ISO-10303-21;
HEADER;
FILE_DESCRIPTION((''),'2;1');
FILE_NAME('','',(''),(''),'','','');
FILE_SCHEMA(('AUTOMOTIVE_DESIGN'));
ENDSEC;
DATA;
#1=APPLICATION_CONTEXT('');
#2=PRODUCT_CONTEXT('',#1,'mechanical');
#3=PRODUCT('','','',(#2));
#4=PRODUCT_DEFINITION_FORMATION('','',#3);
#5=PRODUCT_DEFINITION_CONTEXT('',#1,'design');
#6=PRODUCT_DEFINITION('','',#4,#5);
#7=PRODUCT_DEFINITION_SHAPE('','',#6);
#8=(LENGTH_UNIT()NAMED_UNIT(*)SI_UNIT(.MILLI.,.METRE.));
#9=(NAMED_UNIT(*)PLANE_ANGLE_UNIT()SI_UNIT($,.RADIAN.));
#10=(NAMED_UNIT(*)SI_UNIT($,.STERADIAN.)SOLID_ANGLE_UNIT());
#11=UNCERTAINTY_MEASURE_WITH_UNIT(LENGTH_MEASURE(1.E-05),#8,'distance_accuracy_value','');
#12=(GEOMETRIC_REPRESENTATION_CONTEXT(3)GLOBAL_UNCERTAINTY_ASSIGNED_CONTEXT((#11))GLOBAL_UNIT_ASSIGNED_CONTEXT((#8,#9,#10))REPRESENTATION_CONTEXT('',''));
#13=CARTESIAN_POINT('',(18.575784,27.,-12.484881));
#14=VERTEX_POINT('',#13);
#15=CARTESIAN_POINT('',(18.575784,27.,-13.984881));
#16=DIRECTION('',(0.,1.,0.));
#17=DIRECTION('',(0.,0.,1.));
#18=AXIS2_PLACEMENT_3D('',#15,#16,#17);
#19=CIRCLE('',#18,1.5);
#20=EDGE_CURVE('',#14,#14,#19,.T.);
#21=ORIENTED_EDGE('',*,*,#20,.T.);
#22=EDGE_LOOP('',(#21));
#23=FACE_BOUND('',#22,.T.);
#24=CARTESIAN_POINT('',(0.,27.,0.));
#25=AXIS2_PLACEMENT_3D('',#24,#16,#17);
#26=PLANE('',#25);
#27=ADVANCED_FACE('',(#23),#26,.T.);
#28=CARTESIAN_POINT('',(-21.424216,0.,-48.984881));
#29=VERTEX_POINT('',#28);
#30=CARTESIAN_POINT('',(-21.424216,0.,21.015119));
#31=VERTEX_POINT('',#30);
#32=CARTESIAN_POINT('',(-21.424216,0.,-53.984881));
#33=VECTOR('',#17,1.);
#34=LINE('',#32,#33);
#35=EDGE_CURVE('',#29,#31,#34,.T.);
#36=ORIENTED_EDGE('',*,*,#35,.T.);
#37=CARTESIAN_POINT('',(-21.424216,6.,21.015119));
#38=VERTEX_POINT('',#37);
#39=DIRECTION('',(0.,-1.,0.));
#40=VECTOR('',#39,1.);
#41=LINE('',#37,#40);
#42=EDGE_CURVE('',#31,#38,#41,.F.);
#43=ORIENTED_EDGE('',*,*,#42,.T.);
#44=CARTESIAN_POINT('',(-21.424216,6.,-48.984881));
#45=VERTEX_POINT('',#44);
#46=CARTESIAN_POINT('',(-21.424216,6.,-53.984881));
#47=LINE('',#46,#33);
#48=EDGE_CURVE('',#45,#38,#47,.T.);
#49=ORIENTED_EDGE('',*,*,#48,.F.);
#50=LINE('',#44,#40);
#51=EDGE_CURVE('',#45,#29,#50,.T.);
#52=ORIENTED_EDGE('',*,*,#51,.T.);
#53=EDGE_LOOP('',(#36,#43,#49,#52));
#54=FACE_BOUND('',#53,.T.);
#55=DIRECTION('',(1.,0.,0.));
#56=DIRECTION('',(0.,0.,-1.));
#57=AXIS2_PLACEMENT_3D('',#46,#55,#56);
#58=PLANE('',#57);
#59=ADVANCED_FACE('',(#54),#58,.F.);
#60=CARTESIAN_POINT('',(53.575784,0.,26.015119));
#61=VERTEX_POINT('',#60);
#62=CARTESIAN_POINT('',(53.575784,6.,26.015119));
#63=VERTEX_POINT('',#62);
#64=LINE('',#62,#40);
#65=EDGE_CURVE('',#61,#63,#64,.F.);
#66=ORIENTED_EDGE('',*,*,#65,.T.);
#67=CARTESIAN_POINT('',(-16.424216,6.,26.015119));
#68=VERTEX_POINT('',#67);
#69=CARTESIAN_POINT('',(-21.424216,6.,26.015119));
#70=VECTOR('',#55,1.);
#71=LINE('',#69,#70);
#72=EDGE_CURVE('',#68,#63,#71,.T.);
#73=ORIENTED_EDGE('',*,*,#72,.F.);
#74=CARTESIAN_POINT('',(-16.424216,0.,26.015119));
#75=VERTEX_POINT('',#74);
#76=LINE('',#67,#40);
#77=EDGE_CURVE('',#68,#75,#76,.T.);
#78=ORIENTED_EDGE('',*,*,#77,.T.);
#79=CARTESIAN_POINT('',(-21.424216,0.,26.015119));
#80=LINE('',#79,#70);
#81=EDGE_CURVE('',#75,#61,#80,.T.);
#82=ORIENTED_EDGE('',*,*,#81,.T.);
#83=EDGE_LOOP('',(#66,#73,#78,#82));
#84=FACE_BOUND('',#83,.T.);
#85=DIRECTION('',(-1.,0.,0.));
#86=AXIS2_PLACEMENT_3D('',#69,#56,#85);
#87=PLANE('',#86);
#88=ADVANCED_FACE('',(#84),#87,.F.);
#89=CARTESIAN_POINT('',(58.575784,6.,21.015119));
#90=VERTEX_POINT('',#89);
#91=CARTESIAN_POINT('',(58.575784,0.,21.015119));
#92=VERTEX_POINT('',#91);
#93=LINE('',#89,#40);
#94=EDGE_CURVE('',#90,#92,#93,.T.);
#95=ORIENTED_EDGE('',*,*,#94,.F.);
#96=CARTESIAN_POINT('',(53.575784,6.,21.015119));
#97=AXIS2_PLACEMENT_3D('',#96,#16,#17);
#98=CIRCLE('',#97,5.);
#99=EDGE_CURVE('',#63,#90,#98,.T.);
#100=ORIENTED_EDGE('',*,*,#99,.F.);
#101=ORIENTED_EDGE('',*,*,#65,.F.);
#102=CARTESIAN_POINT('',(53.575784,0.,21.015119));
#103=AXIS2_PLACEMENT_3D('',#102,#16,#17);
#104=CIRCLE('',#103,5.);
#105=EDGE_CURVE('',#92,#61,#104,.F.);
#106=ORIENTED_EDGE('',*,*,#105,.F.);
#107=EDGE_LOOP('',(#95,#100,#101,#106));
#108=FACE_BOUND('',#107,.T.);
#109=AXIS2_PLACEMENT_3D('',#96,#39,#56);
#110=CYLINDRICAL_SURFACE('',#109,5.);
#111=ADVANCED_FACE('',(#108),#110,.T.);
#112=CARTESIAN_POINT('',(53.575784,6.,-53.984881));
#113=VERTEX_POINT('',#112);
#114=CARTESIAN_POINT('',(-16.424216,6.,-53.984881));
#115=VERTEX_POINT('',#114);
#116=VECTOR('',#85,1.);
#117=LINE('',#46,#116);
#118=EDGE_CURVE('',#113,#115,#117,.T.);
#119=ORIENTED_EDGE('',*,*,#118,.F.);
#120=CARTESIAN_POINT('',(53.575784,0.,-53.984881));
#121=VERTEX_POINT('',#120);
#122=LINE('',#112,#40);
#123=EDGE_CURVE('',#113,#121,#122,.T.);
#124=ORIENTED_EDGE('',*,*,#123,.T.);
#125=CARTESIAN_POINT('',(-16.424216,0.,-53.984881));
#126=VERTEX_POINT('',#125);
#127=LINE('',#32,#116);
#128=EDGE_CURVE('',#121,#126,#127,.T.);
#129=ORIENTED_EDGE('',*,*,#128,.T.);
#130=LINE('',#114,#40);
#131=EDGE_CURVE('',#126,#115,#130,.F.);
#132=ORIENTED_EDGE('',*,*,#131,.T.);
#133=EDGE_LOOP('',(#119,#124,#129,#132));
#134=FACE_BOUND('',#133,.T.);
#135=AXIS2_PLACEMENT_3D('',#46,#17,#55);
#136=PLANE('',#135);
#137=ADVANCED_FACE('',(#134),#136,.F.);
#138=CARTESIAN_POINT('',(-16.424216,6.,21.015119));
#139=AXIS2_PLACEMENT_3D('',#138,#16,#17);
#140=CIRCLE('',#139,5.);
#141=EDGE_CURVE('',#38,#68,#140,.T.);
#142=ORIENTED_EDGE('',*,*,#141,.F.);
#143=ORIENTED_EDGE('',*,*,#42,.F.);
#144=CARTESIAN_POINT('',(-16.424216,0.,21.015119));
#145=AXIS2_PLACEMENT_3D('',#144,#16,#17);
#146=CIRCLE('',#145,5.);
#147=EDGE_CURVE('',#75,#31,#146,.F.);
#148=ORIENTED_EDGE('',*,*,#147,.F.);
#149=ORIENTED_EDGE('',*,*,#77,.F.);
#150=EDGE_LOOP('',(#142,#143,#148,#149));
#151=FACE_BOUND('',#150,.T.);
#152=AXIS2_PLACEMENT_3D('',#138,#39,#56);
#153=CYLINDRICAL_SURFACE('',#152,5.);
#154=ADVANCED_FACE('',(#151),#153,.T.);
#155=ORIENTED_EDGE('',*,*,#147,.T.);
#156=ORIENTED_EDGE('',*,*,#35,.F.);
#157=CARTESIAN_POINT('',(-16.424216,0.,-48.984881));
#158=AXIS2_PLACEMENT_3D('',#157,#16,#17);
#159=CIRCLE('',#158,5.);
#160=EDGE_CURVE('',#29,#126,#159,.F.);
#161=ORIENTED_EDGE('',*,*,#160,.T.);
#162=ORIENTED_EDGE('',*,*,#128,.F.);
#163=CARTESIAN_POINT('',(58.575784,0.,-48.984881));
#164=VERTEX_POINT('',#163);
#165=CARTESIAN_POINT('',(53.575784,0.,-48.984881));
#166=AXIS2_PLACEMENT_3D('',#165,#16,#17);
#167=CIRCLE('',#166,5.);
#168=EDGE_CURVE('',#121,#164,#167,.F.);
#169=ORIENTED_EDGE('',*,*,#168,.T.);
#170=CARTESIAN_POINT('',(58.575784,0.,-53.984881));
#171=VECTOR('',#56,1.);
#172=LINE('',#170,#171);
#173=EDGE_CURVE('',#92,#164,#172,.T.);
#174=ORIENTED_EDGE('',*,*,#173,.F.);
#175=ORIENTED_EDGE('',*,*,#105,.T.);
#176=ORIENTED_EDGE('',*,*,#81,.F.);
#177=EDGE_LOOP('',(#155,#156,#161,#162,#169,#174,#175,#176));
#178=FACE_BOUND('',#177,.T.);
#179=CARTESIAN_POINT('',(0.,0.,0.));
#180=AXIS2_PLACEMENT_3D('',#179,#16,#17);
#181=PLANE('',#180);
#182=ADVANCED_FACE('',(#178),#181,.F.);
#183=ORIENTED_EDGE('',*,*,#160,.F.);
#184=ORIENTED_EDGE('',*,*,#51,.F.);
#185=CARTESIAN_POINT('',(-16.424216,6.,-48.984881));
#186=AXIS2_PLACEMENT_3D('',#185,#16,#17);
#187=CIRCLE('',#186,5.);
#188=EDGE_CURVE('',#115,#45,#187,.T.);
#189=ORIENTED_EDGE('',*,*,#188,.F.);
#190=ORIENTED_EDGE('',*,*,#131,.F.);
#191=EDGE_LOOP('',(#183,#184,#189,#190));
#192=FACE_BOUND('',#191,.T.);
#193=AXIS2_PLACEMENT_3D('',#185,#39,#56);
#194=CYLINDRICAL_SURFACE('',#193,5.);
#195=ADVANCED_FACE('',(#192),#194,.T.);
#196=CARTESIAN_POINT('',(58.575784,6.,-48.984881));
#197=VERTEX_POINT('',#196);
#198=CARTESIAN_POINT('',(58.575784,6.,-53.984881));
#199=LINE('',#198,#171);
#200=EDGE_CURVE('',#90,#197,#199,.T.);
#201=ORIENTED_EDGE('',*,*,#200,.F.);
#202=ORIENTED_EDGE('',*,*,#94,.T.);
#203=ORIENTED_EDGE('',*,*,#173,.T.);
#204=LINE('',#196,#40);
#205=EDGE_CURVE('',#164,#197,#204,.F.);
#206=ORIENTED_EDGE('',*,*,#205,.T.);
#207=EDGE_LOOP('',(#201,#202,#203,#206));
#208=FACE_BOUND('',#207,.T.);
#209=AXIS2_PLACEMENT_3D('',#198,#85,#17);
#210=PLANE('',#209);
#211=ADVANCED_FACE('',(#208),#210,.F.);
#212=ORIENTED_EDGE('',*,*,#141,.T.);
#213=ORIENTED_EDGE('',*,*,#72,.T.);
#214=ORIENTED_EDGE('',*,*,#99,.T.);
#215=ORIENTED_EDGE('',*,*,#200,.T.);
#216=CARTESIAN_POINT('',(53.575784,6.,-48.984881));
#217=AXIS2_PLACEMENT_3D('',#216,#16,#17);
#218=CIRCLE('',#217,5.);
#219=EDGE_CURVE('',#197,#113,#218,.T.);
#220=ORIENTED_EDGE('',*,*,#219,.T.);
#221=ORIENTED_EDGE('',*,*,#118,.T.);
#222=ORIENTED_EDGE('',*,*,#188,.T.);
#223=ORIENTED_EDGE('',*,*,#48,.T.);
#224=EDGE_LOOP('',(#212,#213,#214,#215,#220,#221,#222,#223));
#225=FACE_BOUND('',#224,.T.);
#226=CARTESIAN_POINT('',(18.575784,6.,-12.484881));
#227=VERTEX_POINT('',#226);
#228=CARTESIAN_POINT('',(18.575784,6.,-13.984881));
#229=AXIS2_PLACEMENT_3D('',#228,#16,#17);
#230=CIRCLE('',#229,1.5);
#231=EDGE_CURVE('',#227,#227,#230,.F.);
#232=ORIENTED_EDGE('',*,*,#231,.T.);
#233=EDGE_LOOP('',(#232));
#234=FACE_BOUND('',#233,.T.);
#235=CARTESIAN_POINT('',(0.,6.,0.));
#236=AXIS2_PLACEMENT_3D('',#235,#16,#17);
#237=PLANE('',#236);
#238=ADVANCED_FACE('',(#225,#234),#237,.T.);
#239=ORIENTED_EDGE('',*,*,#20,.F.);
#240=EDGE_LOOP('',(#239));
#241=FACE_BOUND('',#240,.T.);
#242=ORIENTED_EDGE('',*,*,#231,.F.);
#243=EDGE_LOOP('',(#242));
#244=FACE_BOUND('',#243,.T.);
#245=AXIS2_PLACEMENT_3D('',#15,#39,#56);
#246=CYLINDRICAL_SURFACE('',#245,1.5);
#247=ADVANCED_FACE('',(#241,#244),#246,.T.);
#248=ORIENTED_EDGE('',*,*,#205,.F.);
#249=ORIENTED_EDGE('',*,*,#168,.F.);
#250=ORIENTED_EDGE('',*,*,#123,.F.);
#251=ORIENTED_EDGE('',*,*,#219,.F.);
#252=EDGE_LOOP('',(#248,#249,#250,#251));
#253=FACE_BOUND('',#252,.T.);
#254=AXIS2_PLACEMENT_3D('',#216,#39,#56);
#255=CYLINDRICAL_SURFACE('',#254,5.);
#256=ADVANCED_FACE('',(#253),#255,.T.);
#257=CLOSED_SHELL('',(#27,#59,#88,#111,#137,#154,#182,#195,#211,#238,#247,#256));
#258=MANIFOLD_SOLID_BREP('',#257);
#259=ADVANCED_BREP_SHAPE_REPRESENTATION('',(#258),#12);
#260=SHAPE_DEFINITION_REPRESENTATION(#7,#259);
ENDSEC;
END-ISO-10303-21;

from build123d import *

# Parameters (mm, degrees)
SKETCH1_W                = 80
SKETCH1_H                = 80
BOSS_EXTRUDE1_DEPTH      = 6
FILLET1_R                = 5
BOSS_EXTRUDE2_DEPTH      = 21
BOSS_EXTRUDE2_DEPTH_BACK = 3


with BuildPart() as part:
    # Sketch1 → Boss-Extrude1 (new body)
    with BuildSketch(Plane(origin=(0, 0, 0), x_dir=(1, 0, 0), z_dir=(0, 1, 0))):
        with Locations((18.575784079, 13.984880667)):
            Rectangle(SKETCH1_W, SKETCH1_H)
    extrude(amount=BOSS_EXTRUDE1_DEPTH)

    # Fillet1
    fillet1_edges = [part.edges().sort_by_distance(p)[0] for p in [
        (-21.424215921, 3, -53.984880667),
        (58.575784079, 3, -53.984880667),
        (58.575784079, 3, 26.015119333),
        (-21.424215921, 3, 26.015119333),
    ]]
    fillet(fillet1_edges, radius=FILLET1_R)

    # Sketch3 → Boss-Extrude2 (add, two sides: drawn at the far end of the back side and taken through both)
    with BuildSketch(Plane(origin=(0, 6, 0), x_dir=(1, 0, 0), z_dir=(0, 1, 0)).offset(-BOSS_EXTRUDE2_DEPTH_BACK)):
        with BuildLine():
            ThreePointArc((20.075784079, 13.984880667), (19.63644425, 15.045540839), (18.575784079, 15.484880667))
            Line((18.575784079, 15.484880667), (18.575784079, 13.984880667))
            Line((18.575784079, 13.984880667), (20.075784079, 13.984880667))
        make_face()
        with BuildLine():
            Line((18.575784079, 13.984880667), (18.575784079, 15.484880667))
            ThreePointArc((18.575784079, 15.484880667), (17.515123907, 15.045540839), (17.075784079, 13.984880667))
            Line((17.075784079, 13.984880667), (18.575784079, 13.984880667))
        make_face()
        with BuildLine():
            Line((20.075784079, 13.984880667), (18.575784079, 13.984880667))
            Line((18.575784079, 13.984880667), (18.575784079, 12.484880667))
            ThreePointArc((18.575784079, 12.484880667), (19.63644425, 12.924220495), (20.075784079, 13.984880667))
        make_face()
        with BuildLine():
            Line((18.575784079, 12.484880667), (18.575784079, 13.984880667))
            Line((18.575784079, 13.984880667), (17.075784079, 13.984880667))
            ThreePointArc((17.075784079, 13.984880667), (17.515123907, 12.924220495), (18.575784079, 12.484880667))
        make_face()
    extrude(amount=BOSS_EXTRUDE2_DEPTH + BOSS_EXTRUDE2_DEPTH_BACK)


solid = part.part
